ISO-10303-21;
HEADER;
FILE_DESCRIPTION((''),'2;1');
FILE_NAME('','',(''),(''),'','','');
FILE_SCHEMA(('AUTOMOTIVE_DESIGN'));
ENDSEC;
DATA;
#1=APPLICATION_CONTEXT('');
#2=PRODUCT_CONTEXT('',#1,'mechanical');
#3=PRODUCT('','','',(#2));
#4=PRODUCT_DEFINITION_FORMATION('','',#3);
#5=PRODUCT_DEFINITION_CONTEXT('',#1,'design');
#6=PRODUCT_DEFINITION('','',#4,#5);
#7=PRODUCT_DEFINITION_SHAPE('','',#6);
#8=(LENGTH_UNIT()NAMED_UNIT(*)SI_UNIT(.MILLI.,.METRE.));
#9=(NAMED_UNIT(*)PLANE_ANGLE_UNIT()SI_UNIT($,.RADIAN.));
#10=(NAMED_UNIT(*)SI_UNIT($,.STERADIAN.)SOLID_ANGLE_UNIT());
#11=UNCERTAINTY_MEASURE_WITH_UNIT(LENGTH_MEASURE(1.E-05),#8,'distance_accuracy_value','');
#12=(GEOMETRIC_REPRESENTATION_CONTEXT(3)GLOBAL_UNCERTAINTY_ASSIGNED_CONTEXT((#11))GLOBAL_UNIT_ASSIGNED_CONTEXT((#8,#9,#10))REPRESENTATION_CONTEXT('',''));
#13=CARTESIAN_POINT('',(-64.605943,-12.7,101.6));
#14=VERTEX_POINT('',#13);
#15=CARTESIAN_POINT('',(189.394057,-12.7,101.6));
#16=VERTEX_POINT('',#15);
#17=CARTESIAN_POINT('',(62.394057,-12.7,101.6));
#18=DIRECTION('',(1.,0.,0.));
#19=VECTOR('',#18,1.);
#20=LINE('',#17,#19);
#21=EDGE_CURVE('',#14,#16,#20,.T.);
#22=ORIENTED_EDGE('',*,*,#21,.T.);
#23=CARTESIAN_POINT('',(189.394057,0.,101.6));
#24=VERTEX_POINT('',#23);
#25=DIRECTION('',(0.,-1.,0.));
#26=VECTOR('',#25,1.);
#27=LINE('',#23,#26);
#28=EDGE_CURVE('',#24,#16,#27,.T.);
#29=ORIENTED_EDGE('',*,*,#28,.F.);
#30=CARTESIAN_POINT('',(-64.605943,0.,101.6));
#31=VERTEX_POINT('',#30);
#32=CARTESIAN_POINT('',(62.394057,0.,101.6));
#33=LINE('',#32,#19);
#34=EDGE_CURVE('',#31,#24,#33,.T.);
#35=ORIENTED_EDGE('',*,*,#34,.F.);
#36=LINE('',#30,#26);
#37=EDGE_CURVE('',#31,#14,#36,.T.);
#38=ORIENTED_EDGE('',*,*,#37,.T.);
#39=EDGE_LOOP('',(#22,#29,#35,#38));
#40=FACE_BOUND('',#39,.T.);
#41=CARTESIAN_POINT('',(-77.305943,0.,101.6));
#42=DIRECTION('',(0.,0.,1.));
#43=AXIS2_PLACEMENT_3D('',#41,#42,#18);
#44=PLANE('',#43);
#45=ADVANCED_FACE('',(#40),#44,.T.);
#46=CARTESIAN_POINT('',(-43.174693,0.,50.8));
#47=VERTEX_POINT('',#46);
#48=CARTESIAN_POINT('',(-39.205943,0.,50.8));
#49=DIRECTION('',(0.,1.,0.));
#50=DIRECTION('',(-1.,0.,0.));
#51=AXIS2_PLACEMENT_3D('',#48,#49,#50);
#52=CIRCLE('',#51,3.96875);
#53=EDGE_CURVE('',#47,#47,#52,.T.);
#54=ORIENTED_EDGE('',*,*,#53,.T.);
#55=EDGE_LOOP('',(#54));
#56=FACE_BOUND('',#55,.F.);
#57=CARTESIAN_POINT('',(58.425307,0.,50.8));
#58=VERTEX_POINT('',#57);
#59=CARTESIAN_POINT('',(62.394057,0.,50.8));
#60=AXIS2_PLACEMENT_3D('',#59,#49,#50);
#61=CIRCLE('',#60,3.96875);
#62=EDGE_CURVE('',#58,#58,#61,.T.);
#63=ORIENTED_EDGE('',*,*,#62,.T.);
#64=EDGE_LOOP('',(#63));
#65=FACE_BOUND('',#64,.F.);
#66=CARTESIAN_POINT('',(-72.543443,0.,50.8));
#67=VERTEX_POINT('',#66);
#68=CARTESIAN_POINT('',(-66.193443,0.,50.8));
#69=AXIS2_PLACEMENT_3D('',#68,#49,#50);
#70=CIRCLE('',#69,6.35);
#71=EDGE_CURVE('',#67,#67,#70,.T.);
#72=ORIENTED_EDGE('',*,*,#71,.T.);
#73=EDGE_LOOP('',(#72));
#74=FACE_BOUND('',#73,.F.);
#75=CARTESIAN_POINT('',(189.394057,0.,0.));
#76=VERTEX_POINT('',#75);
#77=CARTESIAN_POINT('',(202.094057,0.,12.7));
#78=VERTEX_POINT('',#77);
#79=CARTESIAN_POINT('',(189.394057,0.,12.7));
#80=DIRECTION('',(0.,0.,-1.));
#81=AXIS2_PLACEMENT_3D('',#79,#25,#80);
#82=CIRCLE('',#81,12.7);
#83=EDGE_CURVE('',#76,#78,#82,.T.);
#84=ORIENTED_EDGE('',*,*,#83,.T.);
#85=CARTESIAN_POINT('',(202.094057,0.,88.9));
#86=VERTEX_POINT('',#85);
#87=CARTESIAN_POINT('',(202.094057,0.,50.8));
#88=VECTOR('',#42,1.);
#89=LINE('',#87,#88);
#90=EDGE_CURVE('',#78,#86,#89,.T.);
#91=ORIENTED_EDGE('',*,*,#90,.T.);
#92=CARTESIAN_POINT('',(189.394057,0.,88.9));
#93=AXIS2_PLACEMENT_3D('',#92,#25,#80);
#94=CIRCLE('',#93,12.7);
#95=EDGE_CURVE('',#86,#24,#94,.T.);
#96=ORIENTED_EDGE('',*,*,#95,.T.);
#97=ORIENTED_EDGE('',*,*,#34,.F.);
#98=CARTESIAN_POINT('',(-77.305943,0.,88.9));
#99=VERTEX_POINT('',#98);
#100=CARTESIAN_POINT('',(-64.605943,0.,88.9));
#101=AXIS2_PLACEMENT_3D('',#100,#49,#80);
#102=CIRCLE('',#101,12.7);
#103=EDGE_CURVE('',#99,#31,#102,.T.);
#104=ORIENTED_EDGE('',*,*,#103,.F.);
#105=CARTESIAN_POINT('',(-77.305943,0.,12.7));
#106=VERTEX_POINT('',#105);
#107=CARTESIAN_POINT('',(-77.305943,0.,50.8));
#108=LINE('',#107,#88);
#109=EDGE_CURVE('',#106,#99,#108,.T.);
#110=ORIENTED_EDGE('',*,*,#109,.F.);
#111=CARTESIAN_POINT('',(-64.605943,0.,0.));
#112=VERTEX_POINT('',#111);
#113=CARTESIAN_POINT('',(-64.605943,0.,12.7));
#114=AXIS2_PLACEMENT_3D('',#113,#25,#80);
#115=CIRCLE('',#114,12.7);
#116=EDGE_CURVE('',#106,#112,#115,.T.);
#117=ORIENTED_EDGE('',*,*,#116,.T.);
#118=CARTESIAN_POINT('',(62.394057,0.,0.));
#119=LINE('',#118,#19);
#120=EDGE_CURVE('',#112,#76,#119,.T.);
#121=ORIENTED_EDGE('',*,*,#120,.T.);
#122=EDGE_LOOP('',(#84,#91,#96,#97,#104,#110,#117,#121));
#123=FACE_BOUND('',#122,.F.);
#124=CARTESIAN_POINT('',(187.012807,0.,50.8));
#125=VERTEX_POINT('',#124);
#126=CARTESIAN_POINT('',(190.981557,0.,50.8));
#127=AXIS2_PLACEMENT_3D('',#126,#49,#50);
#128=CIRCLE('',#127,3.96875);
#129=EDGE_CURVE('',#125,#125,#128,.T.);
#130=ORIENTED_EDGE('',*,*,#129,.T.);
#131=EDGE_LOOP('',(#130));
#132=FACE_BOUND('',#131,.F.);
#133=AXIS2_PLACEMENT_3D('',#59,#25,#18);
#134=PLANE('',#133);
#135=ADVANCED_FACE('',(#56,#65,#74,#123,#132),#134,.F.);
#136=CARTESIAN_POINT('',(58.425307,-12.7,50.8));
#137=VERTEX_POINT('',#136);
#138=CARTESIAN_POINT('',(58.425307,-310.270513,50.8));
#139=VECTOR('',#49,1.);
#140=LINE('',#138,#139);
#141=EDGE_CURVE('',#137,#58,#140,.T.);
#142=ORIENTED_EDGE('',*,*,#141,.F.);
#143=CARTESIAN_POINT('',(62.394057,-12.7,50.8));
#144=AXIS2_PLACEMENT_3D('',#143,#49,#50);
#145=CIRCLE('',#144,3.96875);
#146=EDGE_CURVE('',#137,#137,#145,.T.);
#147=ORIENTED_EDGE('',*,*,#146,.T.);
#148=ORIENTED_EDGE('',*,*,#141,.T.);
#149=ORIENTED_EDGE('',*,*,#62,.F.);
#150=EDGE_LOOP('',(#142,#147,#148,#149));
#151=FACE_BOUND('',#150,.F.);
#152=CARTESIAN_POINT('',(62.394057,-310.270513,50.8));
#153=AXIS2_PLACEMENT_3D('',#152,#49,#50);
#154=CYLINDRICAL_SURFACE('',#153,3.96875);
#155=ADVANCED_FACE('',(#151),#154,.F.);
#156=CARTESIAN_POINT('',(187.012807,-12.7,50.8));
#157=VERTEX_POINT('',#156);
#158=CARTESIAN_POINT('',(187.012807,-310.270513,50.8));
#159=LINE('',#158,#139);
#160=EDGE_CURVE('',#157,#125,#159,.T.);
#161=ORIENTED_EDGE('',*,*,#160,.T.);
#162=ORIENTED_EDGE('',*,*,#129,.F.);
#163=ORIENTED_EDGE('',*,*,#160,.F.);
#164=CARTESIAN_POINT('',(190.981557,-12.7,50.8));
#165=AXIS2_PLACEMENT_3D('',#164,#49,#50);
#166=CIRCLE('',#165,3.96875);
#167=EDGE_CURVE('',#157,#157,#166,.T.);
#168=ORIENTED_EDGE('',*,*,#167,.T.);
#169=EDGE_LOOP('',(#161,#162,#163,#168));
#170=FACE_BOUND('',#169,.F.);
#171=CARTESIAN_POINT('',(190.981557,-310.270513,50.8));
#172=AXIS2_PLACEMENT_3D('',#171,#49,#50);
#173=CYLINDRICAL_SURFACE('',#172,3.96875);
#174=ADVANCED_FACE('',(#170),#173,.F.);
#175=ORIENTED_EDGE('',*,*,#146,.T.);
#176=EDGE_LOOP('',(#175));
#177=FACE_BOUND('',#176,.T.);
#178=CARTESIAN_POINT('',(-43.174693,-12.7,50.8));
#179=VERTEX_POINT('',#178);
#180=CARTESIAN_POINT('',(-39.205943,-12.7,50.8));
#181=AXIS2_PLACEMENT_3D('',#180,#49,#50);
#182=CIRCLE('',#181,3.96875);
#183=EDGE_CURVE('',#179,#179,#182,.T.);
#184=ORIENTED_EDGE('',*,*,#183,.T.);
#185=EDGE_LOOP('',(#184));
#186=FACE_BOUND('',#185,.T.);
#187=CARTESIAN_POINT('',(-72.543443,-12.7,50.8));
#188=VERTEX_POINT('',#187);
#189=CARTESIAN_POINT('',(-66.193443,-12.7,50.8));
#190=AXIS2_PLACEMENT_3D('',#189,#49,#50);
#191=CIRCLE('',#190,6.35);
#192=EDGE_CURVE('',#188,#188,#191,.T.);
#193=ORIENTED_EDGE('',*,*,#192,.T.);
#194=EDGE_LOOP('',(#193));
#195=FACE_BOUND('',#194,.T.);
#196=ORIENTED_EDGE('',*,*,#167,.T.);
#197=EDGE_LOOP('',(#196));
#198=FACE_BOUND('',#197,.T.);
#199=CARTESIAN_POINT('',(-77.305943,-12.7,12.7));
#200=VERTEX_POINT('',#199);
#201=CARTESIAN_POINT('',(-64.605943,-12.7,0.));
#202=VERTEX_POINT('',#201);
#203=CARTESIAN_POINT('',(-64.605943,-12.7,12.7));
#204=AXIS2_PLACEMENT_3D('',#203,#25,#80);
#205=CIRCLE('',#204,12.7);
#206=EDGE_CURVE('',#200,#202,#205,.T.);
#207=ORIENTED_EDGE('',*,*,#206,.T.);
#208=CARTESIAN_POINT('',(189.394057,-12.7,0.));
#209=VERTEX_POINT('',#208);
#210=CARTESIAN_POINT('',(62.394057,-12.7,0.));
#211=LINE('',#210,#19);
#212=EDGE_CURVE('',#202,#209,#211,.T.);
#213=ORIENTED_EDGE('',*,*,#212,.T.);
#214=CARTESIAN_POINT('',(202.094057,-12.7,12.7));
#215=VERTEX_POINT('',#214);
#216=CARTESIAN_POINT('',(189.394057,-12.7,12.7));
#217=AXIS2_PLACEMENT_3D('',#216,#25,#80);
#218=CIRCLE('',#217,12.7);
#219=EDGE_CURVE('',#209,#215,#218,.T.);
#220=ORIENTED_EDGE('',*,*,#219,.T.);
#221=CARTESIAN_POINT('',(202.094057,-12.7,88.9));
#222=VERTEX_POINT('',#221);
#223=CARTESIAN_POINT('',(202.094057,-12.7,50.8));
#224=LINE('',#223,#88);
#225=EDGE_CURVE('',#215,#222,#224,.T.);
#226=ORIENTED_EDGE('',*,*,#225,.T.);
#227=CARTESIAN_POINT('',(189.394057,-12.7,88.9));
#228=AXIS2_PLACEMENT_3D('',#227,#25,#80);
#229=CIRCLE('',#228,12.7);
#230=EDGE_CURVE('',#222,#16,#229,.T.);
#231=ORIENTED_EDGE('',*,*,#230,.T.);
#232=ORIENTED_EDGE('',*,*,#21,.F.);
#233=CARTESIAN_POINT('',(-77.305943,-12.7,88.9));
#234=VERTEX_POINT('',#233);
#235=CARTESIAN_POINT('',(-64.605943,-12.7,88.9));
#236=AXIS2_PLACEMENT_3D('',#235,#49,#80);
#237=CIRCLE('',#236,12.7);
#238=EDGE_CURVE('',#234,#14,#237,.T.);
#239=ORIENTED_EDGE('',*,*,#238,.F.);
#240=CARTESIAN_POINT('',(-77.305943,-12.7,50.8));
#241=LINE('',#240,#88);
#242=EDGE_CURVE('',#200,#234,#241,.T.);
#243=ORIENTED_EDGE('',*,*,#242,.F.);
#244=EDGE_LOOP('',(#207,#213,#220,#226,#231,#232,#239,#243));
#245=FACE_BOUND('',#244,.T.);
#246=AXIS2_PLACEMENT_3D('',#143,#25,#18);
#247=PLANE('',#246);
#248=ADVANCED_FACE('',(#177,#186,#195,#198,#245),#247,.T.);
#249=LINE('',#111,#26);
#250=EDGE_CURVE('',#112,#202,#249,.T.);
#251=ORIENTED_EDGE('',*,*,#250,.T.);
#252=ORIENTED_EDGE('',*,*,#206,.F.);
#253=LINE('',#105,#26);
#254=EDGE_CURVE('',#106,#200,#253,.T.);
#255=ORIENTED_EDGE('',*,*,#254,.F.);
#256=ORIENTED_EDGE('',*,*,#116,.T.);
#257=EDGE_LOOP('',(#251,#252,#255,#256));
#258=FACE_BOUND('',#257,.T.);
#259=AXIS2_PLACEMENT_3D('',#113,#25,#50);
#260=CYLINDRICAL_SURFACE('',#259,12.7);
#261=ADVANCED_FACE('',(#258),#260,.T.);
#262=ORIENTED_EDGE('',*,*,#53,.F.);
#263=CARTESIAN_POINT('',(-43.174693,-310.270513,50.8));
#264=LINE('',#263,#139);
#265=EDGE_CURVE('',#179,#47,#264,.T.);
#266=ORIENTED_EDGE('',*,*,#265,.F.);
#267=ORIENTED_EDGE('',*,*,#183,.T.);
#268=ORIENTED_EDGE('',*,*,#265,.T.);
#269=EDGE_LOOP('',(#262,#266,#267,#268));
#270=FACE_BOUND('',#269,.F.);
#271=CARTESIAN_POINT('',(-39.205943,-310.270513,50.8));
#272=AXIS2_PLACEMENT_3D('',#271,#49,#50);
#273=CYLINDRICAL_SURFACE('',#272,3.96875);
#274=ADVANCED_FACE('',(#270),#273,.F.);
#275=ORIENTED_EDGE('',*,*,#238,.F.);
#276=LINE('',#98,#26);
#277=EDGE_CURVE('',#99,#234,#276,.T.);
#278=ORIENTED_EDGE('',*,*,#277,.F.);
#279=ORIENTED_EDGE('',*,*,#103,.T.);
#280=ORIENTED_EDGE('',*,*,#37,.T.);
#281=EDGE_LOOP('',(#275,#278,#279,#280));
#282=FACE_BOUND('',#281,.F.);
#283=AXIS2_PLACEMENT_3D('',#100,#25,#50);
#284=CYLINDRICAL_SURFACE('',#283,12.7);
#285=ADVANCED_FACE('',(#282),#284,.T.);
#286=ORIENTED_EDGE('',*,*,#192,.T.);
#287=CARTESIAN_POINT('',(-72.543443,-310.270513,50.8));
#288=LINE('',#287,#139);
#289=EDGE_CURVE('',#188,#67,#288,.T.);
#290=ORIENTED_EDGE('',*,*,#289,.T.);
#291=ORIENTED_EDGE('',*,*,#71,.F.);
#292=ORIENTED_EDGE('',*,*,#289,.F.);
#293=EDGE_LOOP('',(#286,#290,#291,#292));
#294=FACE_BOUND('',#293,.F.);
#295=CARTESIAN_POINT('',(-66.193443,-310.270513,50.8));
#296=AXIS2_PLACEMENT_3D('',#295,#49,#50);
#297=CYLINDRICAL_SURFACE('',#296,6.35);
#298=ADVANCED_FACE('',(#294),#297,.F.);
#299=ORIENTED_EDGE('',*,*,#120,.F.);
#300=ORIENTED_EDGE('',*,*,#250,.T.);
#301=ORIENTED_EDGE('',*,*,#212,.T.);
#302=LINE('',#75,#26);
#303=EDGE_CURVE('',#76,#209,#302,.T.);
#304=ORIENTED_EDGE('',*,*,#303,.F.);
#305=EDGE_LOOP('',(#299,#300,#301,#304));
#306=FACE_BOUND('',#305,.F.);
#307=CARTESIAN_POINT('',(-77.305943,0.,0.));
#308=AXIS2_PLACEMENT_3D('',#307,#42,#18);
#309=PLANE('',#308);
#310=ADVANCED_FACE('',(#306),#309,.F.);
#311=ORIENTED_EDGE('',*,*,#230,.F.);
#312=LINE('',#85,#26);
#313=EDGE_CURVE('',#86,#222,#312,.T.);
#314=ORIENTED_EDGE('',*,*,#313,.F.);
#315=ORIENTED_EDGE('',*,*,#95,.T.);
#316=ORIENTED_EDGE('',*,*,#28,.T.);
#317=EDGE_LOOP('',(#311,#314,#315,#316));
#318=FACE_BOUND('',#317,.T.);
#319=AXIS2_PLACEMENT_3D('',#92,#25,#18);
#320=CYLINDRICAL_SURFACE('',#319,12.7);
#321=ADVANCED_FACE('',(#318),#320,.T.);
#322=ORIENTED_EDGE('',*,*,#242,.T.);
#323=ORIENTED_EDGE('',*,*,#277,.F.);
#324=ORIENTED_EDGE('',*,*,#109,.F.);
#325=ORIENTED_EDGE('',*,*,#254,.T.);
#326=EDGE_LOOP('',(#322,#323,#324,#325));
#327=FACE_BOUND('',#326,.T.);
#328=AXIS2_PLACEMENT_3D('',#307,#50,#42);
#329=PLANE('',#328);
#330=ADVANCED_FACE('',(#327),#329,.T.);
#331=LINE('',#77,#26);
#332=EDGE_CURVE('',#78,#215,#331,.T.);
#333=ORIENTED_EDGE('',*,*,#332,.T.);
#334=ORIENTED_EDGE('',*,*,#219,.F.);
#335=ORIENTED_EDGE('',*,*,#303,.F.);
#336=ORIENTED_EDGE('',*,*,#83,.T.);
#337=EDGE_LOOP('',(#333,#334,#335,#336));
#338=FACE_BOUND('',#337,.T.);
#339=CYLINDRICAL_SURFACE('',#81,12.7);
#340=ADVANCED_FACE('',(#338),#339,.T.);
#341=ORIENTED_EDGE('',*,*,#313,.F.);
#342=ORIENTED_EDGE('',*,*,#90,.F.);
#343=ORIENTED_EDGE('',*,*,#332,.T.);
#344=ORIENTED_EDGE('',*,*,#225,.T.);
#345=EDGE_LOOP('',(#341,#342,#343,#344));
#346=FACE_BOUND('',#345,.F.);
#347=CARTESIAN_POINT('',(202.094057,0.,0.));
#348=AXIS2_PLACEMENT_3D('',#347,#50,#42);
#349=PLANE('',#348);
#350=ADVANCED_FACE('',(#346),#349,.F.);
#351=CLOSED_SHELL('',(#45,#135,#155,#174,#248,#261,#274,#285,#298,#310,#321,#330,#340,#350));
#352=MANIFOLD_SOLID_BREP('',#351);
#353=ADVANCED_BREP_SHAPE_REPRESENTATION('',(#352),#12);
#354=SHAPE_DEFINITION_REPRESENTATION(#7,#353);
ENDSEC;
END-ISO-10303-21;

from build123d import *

# Parameters (mm, degrees)
F0_W     = 279.4
F0_H     = 101.6
F1_DEPTH = 12.7
F2_R     = 12.7
F4_D     = 7.9375
F6_D     = 7.9375
F8_D     = 12.7


with BuildPart() as f1:
    # F0 (on Front) → F1 (new body)
    with BuildSketch(Plane.XZ):
        with Locations((62.394057, 50.8)):
            Rectangle(F0_W, F0_H)
    extrude(amount=F1_DEPTH)

    # F2
    f2_edges = [f1.edges().sort_by_distance(p)[0] for p in [
        (-77.305943, -6.35, 101.6),
        (-77.305943, -6.35, 0),
        (202.094057, -6.35, 101.6),
        (202.094057, -6.35, 0),
    ]]
    fillet(f2_edges, radius=F2_R)

    # F4 (through all)
    with Locations(Plane.XZ.offset(12.7)):
        with Locations((62.394057, 50.8)):
            Hole(F4_D / 2)

    # F6 (through all)
    with Locations(Plane.XZ.offset(12.7)):
        with Locations((190.981557, 50.8), (-39.205943, 50.8)):
            Hole(F6_D / 2)

    # F8 (through all)
    with Locations(Plane.XZ.offset(12.7)):
        with Locations((-66.193443, 50.8)):
            Hole(F8_D / 2)


solid = f1.part
